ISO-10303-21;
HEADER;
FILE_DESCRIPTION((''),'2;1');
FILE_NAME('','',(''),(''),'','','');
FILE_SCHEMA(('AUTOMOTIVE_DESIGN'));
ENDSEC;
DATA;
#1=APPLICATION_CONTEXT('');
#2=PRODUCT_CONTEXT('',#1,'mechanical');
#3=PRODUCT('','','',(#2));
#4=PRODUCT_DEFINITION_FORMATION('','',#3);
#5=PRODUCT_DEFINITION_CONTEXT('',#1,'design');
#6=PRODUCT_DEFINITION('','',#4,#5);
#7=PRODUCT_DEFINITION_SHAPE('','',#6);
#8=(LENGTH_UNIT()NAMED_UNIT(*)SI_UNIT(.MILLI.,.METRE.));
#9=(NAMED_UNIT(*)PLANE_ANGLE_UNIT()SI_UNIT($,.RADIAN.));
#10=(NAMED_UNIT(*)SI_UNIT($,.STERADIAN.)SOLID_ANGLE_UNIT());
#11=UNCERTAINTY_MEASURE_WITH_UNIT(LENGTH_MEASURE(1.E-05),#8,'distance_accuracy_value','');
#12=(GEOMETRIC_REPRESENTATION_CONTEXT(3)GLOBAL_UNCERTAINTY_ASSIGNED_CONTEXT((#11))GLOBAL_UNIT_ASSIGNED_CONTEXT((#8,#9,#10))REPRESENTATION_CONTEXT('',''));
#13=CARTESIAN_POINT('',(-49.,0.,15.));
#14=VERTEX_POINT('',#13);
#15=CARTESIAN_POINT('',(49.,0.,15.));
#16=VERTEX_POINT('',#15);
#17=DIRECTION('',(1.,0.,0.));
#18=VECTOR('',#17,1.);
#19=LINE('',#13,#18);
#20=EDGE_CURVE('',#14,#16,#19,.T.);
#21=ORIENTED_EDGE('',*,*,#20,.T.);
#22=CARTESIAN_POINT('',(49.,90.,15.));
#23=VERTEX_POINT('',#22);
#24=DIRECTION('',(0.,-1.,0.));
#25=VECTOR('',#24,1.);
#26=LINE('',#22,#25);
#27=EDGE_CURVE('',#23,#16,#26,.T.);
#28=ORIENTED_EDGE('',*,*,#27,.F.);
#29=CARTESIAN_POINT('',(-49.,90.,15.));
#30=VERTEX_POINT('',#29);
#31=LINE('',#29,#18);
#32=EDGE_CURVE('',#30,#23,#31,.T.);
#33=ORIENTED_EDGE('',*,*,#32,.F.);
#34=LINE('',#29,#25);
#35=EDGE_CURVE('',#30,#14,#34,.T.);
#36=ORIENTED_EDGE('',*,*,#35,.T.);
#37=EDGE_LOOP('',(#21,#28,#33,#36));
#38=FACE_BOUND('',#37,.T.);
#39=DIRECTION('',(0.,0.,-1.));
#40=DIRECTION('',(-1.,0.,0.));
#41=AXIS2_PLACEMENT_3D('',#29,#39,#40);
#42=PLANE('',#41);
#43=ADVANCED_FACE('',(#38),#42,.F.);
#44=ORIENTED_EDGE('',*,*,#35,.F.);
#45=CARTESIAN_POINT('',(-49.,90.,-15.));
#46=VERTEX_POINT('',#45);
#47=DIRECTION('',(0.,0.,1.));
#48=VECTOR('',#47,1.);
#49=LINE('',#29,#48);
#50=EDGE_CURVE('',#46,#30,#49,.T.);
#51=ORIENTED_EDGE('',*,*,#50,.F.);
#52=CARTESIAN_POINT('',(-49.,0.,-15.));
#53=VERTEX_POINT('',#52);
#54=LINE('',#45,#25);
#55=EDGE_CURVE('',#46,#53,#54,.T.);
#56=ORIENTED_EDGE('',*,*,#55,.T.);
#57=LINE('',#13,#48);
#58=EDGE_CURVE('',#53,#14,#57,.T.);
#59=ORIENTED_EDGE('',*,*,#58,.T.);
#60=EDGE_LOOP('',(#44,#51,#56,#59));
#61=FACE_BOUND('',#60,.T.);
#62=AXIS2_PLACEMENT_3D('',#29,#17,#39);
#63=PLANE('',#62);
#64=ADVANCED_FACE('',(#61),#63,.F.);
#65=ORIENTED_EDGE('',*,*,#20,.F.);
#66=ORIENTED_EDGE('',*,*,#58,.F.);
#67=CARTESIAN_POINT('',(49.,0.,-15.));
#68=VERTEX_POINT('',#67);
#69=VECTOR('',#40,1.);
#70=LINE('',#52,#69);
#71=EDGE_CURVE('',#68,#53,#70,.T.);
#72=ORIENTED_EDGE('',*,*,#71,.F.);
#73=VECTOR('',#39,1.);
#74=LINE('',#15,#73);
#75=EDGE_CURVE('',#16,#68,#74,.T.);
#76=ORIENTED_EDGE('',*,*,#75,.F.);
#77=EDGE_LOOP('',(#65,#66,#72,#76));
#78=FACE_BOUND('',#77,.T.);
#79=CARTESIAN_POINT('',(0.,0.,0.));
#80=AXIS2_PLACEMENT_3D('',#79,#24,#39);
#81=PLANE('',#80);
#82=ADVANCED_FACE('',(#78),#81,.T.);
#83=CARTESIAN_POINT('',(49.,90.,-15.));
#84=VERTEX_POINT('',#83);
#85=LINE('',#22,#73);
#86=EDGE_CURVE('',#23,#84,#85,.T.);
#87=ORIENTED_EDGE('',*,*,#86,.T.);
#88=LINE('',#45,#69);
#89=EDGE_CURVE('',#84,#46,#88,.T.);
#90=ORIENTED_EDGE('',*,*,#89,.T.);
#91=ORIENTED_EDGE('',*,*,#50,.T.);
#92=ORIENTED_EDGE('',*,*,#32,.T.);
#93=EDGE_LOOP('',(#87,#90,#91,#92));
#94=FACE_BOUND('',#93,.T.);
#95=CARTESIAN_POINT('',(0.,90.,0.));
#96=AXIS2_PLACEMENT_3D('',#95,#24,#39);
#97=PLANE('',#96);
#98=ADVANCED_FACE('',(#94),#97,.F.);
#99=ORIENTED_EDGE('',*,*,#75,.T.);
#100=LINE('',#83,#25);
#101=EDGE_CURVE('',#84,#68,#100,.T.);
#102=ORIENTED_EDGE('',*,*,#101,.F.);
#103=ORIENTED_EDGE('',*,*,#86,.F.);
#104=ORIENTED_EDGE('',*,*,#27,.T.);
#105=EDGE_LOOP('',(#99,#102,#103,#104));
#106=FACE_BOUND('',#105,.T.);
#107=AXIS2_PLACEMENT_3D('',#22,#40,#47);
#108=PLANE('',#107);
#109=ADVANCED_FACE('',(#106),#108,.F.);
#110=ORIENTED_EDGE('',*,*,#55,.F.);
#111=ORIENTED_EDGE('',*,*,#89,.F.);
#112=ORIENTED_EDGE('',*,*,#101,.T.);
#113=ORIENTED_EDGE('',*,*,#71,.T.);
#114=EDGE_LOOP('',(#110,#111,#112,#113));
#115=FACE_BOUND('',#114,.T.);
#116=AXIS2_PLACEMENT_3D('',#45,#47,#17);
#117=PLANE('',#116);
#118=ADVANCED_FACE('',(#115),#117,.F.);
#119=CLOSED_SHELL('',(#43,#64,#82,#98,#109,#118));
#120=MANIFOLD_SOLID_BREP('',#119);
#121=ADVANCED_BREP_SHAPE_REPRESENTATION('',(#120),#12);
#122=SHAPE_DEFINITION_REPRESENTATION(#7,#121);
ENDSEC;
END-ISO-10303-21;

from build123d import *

# Parameters (mm, degrees)
ESQUISSE2_W        = 98
ESQUISSE2_H        = 30
BOSS_EXTRU_1_DEPTH = 90


with BuildPart() as part:
    # Esquisse2 → Boss.-Extru.1 (new body)
    with BuildSketch(Plane(origin=(0, 0, 0), x_dir=(1, 0, 0), z_dir=(0, 1, 0))):
        Rectangle(ESQUISSE2_W, ESQUISSE2_H)
    extrude(amount=BOSS_EXTRU_1_DEPTH)


solid = part.part
